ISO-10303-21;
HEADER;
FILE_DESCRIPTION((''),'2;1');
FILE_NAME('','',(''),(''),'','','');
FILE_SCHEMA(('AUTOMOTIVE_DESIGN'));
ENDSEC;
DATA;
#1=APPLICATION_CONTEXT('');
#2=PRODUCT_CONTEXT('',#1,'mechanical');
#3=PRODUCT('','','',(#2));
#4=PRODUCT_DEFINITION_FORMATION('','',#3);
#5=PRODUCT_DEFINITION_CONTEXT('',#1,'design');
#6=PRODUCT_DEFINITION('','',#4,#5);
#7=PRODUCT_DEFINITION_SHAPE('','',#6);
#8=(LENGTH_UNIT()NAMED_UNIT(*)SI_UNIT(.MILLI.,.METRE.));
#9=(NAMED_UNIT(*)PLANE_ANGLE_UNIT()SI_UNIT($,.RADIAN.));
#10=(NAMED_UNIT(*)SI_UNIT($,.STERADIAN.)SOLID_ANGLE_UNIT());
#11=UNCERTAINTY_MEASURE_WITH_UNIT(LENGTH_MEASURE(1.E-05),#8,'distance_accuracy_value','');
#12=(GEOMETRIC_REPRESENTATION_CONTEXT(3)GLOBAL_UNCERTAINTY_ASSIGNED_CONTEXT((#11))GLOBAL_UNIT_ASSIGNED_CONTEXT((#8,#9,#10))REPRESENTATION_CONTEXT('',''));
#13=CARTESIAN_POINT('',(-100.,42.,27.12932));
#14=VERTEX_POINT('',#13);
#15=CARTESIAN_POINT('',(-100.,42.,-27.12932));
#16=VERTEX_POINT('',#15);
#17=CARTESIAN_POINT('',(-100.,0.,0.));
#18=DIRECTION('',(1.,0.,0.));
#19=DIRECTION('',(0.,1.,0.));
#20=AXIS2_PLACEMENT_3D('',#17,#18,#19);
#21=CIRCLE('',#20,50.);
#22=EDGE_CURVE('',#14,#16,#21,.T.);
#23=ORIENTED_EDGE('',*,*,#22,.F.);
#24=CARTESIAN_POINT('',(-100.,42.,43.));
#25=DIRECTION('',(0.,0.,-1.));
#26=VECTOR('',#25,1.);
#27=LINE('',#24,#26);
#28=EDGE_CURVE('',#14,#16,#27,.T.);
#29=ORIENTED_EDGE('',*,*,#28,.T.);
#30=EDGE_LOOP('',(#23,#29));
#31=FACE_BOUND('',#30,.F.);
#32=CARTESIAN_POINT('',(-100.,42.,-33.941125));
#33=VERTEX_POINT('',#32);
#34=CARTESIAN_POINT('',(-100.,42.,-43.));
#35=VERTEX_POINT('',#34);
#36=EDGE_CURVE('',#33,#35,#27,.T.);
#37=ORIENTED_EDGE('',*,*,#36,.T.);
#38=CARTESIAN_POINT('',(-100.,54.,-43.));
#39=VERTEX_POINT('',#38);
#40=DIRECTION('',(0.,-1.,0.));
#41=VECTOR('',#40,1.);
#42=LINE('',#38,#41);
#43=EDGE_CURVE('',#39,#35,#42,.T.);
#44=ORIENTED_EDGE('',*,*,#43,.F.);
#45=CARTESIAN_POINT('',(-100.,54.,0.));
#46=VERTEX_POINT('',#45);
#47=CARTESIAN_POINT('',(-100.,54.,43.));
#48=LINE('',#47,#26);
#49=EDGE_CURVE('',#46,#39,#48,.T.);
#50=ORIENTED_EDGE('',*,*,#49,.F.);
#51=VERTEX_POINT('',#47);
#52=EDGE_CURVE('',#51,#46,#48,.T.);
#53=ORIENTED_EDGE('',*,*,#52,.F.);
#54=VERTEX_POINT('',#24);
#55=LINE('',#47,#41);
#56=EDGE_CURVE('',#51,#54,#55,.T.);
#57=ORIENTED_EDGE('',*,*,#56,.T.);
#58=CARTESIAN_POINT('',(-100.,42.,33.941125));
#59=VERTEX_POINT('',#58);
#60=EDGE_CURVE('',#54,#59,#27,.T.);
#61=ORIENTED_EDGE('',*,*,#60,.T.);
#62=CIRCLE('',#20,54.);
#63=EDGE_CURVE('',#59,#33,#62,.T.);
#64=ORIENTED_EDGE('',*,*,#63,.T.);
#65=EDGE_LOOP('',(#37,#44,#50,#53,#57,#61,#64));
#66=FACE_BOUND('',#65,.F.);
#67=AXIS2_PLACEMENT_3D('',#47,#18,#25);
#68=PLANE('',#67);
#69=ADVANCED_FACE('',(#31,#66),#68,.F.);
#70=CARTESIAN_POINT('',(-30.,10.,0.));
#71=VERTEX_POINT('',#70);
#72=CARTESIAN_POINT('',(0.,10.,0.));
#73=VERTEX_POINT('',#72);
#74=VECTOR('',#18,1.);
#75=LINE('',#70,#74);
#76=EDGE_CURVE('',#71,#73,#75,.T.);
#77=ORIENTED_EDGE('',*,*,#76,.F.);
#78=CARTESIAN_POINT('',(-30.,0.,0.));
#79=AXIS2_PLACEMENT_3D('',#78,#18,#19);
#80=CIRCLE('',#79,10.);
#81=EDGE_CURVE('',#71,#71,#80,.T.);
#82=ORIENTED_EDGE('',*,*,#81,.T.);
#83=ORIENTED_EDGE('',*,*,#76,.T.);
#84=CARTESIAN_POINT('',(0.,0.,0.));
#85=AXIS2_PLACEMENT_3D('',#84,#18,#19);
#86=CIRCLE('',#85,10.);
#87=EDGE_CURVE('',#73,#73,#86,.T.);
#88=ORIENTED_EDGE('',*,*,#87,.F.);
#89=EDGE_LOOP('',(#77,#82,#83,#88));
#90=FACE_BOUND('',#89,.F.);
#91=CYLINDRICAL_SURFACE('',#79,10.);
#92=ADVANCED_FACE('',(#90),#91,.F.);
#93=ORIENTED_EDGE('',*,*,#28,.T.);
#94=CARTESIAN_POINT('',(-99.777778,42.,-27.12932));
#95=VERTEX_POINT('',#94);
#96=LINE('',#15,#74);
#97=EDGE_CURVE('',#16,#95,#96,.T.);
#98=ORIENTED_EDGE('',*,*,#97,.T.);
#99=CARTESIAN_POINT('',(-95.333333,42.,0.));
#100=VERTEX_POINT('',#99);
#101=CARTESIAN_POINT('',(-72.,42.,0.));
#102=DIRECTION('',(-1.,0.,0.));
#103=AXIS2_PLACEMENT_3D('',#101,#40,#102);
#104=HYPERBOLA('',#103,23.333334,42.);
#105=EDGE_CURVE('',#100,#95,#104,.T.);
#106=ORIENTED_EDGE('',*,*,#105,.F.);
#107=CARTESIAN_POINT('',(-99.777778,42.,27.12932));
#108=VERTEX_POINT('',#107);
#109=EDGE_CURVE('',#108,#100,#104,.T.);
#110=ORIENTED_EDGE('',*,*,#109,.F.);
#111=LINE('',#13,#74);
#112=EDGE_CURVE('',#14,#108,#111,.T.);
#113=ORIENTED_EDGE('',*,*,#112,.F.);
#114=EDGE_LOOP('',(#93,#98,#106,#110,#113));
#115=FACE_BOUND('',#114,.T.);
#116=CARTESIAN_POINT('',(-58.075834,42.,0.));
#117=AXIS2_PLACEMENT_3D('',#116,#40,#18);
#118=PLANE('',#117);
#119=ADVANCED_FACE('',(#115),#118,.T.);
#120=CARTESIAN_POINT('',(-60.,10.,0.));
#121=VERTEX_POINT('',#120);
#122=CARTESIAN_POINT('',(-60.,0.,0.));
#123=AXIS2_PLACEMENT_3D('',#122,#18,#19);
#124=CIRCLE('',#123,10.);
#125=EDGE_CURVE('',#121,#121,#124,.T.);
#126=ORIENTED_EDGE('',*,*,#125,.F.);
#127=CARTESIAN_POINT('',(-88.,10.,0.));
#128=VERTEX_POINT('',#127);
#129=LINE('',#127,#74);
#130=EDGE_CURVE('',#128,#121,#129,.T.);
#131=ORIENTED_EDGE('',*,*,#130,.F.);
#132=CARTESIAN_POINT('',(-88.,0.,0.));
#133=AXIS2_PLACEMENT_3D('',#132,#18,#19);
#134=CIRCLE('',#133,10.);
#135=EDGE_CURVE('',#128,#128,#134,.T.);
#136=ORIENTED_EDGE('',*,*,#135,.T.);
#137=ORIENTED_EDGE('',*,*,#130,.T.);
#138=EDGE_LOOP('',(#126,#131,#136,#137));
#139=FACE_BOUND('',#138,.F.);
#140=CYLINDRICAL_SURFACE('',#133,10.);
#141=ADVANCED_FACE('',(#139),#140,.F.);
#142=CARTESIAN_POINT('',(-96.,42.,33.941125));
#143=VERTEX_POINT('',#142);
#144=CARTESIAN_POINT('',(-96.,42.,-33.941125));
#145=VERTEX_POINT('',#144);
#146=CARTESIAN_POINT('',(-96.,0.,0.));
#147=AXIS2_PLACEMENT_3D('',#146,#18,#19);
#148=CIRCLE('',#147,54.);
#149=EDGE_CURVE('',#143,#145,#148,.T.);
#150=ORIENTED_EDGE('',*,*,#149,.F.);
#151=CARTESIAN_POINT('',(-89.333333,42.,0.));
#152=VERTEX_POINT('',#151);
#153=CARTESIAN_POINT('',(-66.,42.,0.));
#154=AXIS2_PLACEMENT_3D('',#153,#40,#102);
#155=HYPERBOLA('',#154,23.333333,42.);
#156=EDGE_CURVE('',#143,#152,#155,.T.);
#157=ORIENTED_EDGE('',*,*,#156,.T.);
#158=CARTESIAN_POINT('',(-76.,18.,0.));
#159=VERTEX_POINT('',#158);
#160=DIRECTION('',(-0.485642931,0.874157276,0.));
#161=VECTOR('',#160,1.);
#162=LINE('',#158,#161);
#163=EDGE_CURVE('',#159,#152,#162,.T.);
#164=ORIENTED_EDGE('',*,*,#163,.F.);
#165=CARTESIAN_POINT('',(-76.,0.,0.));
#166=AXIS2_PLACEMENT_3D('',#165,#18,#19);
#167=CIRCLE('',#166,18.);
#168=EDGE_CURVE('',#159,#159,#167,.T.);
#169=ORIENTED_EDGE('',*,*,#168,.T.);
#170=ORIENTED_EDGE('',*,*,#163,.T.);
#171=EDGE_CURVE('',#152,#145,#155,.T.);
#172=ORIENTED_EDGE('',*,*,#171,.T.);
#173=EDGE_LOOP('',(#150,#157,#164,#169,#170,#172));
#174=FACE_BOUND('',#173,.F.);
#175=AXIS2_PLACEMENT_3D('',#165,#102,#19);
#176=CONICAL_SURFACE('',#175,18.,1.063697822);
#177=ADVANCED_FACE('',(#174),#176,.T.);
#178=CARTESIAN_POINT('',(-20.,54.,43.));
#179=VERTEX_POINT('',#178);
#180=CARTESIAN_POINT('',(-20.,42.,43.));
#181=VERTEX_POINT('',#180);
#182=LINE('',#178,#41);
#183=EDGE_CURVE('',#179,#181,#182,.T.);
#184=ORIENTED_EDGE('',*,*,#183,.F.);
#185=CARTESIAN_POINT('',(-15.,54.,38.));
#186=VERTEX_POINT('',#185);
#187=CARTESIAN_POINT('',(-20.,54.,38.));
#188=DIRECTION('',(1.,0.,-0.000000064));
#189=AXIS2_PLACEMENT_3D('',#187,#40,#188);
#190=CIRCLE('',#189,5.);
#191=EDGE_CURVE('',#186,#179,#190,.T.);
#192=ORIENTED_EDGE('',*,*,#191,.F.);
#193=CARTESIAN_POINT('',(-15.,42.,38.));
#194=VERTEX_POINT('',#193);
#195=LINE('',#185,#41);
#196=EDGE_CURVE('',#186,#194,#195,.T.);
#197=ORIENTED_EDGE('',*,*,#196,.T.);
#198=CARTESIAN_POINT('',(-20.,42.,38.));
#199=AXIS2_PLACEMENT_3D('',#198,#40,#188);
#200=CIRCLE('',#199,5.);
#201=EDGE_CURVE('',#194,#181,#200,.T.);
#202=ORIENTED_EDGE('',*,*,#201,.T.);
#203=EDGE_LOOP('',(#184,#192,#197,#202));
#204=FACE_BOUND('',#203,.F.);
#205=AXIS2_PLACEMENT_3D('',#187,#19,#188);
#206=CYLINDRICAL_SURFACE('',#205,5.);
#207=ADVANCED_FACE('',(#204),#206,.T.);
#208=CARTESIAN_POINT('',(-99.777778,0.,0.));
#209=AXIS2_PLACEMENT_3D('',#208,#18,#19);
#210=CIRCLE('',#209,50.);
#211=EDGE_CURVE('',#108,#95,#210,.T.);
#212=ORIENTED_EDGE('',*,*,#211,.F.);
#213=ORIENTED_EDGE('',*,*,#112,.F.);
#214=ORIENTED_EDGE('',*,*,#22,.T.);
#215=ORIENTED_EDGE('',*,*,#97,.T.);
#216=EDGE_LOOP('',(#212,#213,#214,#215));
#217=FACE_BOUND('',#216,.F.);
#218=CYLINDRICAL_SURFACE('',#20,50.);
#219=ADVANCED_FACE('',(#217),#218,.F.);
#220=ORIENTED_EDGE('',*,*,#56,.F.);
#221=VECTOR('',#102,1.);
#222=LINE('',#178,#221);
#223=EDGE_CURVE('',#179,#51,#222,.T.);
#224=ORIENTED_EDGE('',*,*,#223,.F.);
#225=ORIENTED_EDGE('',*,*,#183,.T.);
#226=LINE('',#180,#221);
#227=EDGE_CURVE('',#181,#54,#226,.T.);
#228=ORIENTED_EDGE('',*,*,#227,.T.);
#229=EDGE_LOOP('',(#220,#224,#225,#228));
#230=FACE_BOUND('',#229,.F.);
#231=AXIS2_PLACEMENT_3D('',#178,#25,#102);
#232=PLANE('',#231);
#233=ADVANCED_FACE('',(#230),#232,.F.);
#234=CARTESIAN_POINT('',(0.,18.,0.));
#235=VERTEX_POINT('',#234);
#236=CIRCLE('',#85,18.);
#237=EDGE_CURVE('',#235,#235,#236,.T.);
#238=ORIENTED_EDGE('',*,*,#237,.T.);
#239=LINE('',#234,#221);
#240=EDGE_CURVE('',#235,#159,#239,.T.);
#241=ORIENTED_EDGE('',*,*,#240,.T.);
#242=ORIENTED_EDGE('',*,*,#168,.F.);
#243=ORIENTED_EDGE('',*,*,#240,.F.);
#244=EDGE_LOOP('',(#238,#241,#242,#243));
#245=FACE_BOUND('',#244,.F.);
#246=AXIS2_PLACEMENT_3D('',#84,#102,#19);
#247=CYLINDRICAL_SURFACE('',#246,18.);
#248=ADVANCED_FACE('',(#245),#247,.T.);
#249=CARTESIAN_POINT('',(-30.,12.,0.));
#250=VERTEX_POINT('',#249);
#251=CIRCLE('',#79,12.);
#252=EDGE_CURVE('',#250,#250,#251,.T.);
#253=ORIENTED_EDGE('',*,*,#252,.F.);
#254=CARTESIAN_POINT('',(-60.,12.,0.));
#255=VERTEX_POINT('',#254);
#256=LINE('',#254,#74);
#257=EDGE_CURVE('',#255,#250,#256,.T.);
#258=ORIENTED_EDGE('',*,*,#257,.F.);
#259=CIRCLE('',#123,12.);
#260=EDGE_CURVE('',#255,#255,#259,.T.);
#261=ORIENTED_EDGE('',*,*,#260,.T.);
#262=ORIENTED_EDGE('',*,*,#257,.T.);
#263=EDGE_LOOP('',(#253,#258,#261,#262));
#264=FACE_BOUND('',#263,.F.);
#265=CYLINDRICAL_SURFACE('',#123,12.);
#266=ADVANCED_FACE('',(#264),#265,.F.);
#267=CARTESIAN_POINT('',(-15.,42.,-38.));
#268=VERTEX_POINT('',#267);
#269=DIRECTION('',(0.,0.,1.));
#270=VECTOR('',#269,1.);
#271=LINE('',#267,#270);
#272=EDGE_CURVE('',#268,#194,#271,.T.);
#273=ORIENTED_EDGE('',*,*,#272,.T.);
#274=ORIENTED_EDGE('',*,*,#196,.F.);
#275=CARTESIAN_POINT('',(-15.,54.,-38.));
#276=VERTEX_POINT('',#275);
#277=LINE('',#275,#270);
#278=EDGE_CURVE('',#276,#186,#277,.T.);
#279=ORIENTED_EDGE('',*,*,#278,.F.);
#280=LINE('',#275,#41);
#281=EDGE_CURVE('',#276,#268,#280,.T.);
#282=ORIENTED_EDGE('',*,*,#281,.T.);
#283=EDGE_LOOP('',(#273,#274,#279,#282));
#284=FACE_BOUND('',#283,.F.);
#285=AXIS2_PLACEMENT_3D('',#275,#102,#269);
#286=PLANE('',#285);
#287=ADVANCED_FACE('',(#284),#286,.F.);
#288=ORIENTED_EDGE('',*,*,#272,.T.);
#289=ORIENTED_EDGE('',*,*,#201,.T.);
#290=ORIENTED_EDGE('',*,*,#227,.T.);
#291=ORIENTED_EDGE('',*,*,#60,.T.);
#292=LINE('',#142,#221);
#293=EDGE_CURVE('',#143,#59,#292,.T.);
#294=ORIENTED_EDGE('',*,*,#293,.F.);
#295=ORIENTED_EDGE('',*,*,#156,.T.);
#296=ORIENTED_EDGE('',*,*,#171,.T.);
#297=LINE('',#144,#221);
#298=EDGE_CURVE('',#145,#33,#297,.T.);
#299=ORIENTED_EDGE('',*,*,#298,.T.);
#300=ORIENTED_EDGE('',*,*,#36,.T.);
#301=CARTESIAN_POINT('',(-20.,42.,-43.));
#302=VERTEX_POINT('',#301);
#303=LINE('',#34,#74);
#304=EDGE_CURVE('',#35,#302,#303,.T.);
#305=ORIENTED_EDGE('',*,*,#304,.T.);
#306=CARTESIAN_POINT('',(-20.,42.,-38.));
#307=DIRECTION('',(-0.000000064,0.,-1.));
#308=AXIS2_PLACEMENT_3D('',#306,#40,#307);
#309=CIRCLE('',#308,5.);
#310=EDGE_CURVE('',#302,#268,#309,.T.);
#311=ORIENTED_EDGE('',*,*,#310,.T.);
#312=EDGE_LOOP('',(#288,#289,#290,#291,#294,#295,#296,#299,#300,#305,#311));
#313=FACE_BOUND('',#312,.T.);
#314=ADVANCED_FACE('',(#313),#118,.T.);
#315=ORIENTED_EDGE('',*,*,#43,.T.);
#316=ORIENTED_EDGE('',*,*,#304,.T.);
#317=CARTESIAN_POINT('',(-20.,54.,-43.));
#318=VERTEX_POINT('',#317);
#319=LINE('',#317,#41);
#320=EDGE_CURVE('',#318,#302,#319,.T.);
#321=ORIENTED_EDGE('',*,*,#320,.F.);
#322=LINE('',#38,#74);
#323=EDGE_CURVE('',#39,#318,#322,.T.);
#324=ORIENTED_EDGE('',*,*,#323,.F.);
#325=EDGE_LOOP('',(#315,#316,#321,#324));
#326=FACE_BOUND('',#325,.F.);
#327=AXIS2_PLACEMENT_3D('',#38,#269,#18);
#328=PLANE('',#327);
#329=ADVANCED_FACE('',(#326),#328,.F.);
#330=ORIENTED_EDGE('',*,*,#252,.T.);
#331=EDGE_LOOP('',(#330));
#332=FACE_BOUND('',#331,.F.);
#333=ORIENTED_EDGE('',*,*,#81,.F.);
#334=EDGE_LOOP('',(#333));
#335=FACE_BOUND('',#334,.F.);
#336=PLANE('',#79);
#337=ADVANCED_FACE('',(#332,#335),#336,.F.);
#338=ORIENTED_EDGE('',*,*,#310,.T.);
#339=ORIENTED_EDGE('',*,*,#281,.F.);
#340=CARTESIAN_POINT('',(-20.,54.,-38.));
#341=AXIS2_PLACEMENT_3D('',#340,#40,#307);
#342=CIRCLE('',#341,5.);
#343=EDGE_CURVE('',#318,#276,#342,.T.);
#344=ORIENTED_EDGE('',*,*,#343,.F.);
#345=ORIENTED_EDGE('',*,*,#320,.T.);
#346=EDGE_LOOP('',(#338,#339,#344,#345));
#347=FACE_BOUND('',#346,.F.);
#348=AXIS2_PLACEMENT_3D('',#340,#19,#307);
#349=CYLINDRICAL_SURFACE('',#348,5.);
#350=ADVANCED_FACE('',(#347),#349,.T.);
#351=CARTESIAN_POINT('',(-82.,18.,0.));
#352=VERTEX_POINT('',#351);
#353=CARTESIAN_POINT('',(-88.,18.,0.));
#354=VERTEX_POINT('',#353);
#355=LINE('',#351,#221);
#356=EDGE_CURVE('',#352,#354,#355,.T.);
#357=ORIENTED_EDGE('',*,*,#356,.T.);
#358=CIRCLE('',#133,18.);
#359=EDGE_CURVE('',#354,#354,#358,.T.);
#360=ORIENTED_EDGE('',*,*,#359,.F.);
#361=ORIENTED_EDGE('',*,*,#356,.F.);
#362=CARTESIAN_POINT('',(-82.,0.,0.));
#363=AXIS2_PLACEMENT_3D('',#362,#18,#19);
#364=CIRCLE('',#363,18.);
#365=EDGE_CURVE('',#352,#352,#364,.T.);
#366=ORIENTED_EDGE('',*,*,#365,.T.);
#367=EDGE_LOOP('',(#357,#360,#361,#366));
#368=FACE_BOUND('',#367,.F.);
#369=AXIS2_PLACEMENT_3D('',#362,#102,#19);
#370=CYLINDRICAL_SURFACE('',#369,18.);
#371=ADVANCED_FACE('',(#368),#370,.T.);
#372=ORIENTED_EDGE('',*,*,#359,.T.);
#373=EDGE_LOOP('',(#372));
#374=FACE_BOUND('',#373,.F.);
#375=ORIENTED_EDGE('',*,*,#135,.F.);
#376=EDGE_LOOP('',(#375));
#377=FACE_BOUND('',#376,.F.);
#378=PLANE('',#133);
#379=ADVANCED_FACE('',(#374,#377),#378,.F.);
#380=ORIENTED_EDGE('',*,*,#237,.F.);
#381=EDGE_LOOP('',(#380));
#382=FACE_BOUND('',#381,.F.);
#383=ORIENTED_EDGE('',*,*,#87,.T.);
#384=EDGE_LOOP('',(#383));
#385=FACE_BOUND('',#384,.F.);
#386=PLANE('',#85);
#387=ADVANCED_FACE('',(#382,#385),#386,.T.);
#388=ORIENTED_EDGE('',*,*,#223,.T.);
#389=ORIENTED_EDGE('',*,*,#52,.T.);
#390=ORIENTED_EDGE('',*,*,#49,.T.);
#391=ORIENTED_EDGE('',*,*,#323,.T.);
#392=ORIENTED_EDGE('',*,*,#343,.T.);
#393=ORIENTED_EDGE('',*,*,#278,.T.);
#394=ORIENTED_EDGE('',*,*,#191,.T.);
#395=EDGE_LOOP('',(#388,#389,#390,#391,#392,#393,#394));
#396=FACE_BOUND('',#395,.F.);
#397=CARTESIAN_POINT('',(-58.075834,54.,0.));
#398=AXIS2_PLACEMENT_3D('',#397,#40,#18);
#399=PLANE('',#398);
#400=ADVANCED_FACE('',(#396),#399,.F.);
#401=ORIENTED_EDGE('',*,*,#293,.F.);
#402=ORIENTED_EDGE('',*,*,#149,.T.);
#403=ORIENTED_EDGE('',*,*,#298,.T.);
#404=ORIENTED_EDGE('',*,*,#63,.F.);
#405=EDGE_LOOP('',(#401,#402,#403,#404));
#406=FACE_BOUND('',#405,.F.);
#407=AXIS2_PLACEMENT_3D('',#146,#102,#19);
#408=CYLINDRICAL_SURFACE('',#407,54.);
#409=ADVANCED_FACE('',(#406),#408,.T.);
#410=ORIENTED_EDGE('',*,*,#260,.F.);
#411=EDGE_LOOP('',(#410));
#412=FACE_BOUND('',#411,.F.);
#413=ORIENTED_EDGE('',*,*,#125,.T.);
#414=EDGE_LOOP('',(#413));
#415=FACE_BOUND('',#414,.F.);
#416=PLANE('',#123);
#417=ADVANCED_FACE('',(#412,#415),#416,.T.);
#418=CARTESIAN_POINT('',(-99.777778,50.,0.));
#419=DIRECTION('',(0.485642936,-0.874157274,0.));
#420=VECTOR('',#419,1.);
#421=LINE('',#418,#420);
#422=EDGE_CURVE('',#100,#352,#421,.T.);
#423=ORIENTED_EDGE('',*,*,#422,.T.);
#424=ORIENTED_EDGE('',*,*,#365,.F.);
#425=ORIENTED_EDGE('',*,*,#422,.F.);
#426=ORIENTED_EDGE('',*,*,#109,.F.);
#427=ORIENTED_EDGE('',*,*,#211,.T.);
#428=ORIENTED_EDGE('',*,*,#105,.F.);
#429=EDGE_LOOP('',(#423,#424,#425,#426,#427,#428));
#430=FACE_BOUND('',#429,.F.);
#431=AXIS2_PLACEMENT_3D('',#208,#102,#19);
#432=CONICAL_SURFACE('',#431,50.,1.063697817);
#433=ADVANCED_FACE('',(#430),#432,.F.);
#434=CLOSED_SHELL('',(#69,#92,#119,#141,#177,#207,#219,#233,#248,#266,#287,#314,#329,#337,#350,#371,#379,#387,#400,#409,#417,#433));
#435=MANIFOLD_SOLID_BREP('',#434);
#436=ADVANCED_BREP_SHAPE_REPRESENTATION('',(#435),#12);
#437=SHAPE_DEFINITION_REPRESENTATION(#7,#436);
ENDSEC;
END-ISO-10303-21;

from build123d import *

# Parameters (mm, degrees)
F4_DEPTH = 12


with BuildPart() as f1:
    # F0 (on Top) → F1 (revolve)
    with BuildSketch(Plane.XY):
        Polygon((-30, 10), (0, 10), (0, 18), (-76, 18), (-96, 54), (-100, 54), (-100, 50), (-99.777778, 50), (-82, 18), (-88, 18), (-88, 10), (-60, 10), (-60, 12), (-30, 12), align=None)
    revolve(axis=Axis((-50, 0, 0), (1, 0, 0)))

    # F3 (on offset) → F4 (join)
    with BuildSketch(Plane.XZ.offset(-54)):
        with BuildLine():
            Line((-100, 43), (-100, -43))
            Line((-100, -43), (-20, -43))
            ThreePointArc((-20, -43), (-16.464466, -41.535534), (-15, -38))
            Line((-15, -38), (-15, 38))
            ThreePointArc((-15, 38), (-16.464466, 41.535534), (-20, 43))
            Line((-20, 43), (-100, 43))
        make_face()
    extrude(amount=F4_DEPTH)


solid = f1.part
